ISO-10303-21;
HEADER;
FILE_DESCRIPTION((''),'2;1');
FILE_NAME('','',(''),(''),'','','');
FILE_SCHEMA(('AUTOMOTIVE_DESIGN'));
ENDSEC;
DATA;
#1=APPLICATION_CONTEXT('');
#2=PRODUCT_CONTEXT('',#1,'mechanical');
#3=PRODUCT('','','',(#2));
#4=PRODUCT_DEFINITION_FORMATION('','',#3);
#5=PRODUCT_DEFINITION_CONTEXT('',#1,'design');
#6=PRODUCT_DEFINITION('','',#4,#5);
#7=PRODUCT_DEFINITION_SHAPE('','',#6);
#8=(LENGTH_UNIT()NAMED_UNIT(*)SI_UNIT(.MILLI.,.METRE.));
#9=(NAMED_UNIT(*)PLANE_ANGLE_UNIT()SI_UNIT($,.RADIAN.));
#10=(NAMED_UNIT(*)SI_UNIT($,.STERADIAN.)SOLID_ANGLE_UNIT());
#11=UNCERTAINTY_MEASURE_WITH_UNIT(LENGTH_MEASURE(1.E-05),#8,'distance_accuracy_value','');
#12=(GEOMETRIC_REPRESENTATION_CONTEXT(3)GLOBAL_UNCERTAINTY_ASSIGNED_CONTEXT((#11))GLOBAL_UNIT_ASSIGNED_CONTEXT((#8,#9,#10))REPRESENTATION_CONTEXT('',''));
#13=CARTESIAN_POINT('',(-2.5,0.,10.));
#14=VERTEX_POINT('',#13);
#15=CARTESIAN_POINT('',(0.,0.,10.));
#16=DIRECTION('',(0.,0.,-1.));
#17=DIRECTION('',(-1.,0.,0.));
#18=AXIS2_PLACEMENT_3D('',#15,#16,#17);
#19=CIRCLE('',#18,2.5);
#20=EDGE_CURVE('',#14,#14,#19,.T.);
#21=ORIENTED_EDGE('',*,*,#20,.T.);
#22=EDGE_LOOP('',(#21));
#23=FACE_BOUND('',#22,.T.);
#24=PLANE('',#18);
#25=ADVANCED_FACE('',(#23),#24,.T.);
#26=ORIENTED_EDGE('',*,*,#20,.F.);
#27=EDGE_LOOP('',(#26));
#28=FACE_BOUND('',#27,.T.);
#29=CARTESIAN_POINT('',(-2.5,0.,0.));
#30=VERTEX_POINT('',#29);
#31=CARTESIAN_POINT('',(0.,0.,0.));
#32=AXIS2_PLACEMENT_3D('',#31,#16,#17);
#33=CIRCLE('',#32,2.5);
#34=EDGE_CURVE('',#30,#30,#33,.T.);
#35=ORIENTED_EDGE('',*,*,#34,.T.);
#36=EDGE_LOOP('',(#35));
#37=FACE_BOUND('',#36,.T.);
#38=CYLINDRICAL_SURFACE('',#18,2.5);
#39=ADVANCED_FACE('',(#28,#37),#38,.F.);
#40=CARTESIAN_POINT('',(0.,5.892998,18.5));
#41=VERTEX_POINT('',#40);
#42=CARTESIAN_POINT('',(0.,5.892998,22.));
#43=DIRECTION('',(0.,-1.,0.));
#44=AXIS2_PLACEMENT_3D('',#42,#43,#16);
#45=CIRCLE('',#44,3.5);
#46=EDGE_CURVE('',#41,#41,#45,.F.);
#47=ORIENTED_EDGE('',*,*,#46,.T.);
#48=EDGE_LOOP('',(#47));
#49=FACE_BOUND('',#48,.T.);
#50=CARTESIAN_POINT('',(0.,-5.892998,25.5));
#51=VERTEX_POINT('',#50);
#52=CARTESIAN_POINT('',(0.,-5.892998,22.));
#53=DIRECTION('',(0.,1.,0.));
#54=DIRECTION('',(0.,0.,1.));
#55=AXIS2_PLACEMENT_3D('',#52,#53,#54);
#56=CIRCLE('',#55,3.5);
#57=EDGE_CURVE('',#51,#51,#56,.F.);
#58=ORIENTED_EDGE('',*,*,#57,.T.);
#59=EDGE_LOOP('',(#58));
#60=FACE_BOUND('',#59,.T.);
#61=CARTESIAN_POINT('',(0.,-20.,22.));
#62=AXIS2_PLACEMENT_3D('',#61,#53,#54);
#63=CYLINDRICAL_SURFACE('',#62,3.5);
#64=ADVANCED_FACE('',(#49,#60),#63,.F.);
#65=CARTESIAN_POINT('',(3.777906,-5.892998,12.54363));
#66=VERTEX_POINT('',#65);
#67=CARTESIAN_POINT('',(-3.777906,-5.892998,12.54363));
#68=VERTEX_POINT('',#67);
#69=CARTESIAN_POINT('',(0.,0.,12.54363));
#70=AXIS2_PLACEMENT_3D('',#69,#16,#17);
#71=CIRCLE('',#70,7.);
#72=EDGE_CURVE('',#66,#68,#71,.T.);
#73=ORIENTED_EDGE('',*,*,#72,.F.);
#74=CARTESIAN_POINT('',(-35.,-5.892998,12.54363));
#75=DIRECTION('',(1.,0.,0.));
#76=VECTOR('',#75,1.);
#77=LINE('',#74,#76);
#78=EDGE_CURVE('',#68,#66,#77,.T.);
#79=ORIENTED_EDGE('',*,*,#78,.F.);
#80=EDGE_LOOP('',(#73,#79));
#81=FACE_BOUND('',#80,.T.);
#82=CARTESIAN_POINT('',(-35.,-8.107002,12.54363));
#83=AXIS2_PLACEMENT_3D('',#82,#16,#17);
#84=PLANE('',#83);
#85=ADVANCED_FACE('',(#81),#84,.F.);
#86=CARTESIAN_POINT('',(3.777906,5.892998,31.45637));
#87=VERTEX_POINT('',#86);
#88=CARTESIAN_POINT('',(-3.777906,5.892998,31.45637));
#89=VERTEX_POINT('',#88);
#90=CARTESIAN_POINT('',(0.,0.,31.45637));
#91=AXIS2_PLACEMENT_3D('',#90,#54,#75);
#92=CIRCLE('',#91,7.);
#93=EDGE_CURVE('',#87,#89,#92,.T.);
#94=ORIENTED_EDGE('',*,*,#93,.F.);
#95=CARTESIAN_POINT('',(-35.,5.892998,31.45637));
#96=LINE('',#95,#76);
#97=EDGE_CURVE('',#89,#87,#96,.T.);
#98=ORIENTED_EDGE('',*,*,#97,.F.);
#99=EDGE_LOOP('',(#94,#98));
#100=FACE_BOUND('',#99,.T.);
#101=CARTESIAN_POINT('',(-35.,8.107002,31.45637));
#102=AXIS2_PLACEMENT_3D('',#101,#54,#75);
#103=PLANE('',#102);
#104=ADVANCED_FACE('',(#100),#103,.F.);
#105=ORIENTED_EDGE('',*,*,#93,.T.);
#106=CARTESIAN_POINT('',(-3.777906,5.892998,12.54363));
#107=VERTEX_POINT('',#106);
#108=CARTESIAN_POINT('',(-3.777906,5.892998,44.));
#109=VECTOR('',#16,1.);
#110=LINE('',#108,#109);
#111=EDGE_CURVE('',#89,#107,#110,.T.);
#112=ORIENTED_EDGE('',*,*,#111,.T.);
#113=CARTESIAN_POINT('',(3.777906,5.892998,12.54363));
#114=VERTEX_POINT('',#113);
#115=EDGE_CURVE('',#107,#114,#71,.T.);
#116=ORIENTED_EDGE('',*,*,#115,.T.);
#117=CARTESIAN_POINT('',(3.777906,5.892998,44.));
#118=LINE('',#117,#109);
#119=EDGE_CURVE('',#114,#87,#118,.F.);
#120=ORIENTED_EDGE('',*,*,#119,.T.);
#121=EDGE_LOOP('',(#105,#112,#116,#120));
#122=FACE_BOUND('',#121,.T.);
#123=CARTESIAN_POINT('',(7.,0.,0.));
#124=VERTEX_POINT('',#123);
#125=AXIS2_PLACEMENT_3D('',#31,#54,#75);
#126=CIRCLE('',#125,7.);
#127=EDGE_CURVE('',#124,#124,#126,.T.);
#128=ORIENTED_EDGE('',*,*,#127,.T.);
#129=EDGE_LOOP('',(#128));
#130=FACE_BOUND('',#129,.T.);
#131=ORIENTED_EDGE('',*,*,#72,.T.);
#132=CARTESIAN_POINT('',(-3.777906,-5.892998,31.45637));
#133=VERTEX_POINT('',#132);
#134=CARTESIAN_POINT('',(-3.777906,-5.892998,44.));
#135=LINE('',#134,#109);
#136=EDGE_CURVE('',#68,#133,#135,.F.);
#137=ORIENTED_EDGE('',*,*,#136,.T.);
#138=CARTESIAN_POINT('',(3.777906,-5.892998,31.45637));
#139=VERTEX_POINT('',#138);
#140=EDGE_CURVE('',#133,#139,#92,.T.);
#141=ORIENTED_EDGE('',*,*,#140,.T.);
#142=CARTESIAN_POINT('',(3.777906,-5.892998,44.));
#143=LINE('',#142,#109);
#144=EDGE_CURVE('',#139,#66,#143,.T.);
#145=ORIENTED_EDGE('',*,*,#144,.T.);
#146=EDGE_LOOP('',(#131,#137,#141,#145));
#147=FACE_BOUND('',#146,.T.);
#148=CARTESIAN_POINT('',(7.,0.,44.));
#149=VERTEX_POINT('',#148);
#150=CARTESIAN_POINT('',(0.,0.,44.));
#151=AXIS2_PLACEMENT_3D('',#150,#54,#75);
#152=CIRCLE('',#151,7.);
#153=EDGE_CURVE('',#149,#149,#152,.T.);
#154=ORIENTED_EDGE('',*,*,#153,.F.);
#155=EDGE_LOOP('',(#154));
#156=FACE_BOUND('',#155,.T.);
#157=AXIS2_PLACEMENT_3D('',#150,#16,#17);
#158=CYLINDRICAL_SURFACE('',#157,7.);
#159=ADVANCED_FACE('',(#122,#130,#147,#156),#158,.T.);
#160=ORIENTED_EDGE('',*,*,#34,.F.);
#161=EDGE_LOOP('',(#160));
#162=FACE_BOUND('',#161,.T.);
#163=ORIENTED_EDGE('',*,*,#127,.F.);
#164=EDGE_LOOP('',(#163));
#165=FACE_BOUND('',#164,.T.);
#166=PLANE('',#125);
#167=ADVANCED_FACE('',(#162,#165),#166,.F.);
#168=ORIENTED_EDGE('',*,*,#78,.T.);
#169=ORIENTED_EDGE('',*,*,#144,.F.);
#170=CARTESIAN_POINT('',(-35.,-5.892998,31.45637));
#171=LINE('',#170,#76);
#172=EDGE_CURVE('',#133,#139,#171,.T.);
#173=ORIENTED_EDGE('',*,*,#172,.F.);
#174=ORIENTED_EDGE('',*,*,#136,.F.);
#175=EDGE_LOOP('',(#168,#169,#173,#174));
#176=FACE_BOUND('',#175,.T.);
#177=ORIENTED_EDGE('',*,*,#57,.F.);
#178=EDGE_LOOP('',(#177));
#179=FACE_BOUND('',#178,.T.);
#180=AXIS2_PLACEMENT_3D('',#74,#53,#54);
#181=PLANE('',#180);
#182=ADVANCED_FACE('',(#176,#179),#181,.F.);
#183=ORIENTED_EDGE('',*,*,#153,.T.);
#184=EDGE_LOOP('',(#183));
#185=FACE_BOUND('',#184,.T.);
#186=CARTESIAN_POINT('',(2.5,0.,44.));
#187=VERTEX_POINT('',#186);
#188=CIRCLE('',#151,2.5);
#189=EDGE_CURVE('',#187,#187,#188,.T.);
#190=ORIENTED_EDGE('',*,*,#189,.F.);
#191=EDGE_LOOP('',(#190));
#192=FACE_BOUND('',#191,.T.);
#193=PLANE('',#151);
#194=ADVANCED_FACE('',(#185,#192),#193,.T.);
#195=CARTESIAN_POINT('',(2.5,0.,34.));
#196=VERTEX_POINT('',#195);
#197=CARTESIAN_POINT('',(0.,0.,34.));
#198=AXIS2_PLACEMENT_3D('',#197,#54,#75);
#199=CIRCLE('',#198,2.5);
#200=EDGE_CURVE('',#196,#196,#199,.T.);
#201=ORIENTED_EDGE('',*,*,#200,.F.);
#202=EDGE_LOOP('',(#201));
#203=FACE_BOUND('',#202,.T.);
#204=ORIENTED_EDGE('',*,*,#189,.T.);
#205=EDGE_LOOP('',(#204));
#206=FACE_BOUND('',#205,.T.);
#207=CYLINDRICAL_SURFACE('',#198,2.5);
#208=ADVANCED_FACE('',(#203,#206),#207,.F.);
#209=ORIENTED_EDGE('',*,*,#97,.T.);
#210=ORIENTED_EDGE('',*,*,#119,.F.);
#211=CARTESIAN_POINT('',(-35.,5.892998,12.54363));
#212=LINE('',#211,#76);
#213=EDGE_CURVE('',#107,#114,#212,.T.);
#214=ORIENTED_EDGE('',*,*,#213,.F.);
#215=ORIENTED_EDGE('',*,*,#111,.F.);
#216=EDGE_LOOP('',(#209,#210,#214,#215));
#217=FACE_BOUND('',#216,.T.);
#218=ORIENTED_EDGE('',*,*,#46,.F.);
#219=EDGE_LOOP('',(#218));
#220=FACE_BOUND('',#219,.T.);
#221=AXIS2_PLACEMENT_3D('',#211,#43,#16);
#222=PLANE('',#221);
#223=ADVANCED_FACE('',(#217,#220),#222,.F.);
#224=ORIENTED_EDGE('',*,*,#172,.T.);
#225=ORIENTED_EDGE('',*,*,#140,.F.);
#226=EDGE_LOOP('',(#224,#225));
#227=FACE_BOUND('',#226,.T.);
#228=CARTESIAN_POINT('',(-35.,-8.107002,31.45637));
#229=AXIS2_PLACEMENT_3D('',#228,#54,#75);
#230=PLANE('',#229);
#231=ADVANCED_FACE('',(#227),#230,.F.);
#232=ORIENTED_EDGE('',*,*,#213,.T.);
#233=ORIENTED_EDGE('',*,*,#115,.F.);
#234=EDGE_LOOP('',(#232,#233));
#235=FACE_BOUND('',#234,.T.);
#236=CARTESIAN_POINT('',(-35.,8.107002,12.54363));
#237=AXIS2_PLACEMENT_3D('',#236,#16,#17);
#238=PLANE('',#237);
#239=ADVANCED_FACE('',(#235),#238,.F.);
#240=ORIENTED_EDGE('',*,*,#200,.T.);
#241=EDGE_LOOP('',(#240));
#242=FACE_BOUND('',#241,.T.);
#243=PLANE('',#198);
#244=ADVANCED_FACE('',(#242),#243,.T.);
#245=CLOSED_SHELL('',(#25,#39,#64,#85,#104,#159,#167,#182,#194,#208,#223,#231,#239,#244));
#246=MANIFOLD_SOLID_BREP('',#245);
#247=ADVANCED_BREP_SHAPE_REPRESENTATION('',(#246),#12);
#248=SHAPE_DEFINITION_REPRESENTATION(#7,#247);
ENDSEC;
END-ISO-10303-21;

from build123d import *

# Parameters (mm, degrees)
SKETCH1_R           = 7
BOSS_EXTRUDE1_DEPTH = 44
SKETCH2_R           = 2.5
CUT_EXTRUDE1_DEPTH  = 10
CUT_EXTRUDE2_START  = -10
SKETCH3_R           = 2.5
CUT_EXTRUDE2_DEPTH  = 10
SKETCH4_R           = 3.5
CUT_EXTRUDE3_DEPTH  = 20
SKETCH5_W           = 18.912740594
SKETCH5_H           = 2.214003862
CUT_EXTRUDE5_DEPTH  = 35


with BuildPart() as part:
    # Sketch1 → Boss-Extrude1 (new body)
    with BuildSketch(Plane.XY):
        Circle(SKETCH1_R)
    extrude(amount=BOSS_EXTRUDE1_DEPTH)

    # Sketch2 → Cut-Extrude1 (cut)
    with BuildSketch(Plane.XY.offset(44)):
        Circle(SKETCH2_R)
    extrude(amount=-CUT_EXTRUDE1_DEPTH, mode=Mode.SUBTRACT)

    # Sketch3 → Cut-Extrude2 (cut)
    with BuildSketch(Plane(origin=(0, 0, 0), x_dir=(-1, 0, 0), z_dir=(0, 0, -1)).offset(CUT_EXTRUDE2_START)):
        with Locations(Location((0, 0, 0), (0, 0, 180))):
            Circle(SKETCH3_R)
    extrude(amount=CUT_EXTRUDE2_DEPTH, mode=Mode.SUBTRACT)

    # Sketch4 → Cut-Extrude3 (cut, symmetric)
    with BuildSketch(Plane(origin=(0, 0, 0), x_dir=(1, 0, 0), z_dir=(0, 1, 0))):
        with Locations(Location((0, -22, 0), (0, 0, 270))):
            Circle(SKETCH4_R)
    extrude(amount=CUT_EXTRUDE3_DEPTH, both=True, mode=Mode.SUBTRACT)

    # Sketch5 → Cut-Extrude5 (cut, symmetric)
    with BuildSketch(Plane(origin=(0, 0, 0), x_dir=(0, 0, -1), z_dir=(1, 0, 0))):
        with Locations((-22, 7)):
            Rectangle(SKETCH5_W, SKETCH5_H)
        with Locations((-22, -7)):
            Rectangle(SKETCH5_W, SKETCH5_H)
    extrude(amount=CUT_EXTRUDE5_DEPTH, both=True, mode=Mode.SUBTRACT)


solid = part.part
